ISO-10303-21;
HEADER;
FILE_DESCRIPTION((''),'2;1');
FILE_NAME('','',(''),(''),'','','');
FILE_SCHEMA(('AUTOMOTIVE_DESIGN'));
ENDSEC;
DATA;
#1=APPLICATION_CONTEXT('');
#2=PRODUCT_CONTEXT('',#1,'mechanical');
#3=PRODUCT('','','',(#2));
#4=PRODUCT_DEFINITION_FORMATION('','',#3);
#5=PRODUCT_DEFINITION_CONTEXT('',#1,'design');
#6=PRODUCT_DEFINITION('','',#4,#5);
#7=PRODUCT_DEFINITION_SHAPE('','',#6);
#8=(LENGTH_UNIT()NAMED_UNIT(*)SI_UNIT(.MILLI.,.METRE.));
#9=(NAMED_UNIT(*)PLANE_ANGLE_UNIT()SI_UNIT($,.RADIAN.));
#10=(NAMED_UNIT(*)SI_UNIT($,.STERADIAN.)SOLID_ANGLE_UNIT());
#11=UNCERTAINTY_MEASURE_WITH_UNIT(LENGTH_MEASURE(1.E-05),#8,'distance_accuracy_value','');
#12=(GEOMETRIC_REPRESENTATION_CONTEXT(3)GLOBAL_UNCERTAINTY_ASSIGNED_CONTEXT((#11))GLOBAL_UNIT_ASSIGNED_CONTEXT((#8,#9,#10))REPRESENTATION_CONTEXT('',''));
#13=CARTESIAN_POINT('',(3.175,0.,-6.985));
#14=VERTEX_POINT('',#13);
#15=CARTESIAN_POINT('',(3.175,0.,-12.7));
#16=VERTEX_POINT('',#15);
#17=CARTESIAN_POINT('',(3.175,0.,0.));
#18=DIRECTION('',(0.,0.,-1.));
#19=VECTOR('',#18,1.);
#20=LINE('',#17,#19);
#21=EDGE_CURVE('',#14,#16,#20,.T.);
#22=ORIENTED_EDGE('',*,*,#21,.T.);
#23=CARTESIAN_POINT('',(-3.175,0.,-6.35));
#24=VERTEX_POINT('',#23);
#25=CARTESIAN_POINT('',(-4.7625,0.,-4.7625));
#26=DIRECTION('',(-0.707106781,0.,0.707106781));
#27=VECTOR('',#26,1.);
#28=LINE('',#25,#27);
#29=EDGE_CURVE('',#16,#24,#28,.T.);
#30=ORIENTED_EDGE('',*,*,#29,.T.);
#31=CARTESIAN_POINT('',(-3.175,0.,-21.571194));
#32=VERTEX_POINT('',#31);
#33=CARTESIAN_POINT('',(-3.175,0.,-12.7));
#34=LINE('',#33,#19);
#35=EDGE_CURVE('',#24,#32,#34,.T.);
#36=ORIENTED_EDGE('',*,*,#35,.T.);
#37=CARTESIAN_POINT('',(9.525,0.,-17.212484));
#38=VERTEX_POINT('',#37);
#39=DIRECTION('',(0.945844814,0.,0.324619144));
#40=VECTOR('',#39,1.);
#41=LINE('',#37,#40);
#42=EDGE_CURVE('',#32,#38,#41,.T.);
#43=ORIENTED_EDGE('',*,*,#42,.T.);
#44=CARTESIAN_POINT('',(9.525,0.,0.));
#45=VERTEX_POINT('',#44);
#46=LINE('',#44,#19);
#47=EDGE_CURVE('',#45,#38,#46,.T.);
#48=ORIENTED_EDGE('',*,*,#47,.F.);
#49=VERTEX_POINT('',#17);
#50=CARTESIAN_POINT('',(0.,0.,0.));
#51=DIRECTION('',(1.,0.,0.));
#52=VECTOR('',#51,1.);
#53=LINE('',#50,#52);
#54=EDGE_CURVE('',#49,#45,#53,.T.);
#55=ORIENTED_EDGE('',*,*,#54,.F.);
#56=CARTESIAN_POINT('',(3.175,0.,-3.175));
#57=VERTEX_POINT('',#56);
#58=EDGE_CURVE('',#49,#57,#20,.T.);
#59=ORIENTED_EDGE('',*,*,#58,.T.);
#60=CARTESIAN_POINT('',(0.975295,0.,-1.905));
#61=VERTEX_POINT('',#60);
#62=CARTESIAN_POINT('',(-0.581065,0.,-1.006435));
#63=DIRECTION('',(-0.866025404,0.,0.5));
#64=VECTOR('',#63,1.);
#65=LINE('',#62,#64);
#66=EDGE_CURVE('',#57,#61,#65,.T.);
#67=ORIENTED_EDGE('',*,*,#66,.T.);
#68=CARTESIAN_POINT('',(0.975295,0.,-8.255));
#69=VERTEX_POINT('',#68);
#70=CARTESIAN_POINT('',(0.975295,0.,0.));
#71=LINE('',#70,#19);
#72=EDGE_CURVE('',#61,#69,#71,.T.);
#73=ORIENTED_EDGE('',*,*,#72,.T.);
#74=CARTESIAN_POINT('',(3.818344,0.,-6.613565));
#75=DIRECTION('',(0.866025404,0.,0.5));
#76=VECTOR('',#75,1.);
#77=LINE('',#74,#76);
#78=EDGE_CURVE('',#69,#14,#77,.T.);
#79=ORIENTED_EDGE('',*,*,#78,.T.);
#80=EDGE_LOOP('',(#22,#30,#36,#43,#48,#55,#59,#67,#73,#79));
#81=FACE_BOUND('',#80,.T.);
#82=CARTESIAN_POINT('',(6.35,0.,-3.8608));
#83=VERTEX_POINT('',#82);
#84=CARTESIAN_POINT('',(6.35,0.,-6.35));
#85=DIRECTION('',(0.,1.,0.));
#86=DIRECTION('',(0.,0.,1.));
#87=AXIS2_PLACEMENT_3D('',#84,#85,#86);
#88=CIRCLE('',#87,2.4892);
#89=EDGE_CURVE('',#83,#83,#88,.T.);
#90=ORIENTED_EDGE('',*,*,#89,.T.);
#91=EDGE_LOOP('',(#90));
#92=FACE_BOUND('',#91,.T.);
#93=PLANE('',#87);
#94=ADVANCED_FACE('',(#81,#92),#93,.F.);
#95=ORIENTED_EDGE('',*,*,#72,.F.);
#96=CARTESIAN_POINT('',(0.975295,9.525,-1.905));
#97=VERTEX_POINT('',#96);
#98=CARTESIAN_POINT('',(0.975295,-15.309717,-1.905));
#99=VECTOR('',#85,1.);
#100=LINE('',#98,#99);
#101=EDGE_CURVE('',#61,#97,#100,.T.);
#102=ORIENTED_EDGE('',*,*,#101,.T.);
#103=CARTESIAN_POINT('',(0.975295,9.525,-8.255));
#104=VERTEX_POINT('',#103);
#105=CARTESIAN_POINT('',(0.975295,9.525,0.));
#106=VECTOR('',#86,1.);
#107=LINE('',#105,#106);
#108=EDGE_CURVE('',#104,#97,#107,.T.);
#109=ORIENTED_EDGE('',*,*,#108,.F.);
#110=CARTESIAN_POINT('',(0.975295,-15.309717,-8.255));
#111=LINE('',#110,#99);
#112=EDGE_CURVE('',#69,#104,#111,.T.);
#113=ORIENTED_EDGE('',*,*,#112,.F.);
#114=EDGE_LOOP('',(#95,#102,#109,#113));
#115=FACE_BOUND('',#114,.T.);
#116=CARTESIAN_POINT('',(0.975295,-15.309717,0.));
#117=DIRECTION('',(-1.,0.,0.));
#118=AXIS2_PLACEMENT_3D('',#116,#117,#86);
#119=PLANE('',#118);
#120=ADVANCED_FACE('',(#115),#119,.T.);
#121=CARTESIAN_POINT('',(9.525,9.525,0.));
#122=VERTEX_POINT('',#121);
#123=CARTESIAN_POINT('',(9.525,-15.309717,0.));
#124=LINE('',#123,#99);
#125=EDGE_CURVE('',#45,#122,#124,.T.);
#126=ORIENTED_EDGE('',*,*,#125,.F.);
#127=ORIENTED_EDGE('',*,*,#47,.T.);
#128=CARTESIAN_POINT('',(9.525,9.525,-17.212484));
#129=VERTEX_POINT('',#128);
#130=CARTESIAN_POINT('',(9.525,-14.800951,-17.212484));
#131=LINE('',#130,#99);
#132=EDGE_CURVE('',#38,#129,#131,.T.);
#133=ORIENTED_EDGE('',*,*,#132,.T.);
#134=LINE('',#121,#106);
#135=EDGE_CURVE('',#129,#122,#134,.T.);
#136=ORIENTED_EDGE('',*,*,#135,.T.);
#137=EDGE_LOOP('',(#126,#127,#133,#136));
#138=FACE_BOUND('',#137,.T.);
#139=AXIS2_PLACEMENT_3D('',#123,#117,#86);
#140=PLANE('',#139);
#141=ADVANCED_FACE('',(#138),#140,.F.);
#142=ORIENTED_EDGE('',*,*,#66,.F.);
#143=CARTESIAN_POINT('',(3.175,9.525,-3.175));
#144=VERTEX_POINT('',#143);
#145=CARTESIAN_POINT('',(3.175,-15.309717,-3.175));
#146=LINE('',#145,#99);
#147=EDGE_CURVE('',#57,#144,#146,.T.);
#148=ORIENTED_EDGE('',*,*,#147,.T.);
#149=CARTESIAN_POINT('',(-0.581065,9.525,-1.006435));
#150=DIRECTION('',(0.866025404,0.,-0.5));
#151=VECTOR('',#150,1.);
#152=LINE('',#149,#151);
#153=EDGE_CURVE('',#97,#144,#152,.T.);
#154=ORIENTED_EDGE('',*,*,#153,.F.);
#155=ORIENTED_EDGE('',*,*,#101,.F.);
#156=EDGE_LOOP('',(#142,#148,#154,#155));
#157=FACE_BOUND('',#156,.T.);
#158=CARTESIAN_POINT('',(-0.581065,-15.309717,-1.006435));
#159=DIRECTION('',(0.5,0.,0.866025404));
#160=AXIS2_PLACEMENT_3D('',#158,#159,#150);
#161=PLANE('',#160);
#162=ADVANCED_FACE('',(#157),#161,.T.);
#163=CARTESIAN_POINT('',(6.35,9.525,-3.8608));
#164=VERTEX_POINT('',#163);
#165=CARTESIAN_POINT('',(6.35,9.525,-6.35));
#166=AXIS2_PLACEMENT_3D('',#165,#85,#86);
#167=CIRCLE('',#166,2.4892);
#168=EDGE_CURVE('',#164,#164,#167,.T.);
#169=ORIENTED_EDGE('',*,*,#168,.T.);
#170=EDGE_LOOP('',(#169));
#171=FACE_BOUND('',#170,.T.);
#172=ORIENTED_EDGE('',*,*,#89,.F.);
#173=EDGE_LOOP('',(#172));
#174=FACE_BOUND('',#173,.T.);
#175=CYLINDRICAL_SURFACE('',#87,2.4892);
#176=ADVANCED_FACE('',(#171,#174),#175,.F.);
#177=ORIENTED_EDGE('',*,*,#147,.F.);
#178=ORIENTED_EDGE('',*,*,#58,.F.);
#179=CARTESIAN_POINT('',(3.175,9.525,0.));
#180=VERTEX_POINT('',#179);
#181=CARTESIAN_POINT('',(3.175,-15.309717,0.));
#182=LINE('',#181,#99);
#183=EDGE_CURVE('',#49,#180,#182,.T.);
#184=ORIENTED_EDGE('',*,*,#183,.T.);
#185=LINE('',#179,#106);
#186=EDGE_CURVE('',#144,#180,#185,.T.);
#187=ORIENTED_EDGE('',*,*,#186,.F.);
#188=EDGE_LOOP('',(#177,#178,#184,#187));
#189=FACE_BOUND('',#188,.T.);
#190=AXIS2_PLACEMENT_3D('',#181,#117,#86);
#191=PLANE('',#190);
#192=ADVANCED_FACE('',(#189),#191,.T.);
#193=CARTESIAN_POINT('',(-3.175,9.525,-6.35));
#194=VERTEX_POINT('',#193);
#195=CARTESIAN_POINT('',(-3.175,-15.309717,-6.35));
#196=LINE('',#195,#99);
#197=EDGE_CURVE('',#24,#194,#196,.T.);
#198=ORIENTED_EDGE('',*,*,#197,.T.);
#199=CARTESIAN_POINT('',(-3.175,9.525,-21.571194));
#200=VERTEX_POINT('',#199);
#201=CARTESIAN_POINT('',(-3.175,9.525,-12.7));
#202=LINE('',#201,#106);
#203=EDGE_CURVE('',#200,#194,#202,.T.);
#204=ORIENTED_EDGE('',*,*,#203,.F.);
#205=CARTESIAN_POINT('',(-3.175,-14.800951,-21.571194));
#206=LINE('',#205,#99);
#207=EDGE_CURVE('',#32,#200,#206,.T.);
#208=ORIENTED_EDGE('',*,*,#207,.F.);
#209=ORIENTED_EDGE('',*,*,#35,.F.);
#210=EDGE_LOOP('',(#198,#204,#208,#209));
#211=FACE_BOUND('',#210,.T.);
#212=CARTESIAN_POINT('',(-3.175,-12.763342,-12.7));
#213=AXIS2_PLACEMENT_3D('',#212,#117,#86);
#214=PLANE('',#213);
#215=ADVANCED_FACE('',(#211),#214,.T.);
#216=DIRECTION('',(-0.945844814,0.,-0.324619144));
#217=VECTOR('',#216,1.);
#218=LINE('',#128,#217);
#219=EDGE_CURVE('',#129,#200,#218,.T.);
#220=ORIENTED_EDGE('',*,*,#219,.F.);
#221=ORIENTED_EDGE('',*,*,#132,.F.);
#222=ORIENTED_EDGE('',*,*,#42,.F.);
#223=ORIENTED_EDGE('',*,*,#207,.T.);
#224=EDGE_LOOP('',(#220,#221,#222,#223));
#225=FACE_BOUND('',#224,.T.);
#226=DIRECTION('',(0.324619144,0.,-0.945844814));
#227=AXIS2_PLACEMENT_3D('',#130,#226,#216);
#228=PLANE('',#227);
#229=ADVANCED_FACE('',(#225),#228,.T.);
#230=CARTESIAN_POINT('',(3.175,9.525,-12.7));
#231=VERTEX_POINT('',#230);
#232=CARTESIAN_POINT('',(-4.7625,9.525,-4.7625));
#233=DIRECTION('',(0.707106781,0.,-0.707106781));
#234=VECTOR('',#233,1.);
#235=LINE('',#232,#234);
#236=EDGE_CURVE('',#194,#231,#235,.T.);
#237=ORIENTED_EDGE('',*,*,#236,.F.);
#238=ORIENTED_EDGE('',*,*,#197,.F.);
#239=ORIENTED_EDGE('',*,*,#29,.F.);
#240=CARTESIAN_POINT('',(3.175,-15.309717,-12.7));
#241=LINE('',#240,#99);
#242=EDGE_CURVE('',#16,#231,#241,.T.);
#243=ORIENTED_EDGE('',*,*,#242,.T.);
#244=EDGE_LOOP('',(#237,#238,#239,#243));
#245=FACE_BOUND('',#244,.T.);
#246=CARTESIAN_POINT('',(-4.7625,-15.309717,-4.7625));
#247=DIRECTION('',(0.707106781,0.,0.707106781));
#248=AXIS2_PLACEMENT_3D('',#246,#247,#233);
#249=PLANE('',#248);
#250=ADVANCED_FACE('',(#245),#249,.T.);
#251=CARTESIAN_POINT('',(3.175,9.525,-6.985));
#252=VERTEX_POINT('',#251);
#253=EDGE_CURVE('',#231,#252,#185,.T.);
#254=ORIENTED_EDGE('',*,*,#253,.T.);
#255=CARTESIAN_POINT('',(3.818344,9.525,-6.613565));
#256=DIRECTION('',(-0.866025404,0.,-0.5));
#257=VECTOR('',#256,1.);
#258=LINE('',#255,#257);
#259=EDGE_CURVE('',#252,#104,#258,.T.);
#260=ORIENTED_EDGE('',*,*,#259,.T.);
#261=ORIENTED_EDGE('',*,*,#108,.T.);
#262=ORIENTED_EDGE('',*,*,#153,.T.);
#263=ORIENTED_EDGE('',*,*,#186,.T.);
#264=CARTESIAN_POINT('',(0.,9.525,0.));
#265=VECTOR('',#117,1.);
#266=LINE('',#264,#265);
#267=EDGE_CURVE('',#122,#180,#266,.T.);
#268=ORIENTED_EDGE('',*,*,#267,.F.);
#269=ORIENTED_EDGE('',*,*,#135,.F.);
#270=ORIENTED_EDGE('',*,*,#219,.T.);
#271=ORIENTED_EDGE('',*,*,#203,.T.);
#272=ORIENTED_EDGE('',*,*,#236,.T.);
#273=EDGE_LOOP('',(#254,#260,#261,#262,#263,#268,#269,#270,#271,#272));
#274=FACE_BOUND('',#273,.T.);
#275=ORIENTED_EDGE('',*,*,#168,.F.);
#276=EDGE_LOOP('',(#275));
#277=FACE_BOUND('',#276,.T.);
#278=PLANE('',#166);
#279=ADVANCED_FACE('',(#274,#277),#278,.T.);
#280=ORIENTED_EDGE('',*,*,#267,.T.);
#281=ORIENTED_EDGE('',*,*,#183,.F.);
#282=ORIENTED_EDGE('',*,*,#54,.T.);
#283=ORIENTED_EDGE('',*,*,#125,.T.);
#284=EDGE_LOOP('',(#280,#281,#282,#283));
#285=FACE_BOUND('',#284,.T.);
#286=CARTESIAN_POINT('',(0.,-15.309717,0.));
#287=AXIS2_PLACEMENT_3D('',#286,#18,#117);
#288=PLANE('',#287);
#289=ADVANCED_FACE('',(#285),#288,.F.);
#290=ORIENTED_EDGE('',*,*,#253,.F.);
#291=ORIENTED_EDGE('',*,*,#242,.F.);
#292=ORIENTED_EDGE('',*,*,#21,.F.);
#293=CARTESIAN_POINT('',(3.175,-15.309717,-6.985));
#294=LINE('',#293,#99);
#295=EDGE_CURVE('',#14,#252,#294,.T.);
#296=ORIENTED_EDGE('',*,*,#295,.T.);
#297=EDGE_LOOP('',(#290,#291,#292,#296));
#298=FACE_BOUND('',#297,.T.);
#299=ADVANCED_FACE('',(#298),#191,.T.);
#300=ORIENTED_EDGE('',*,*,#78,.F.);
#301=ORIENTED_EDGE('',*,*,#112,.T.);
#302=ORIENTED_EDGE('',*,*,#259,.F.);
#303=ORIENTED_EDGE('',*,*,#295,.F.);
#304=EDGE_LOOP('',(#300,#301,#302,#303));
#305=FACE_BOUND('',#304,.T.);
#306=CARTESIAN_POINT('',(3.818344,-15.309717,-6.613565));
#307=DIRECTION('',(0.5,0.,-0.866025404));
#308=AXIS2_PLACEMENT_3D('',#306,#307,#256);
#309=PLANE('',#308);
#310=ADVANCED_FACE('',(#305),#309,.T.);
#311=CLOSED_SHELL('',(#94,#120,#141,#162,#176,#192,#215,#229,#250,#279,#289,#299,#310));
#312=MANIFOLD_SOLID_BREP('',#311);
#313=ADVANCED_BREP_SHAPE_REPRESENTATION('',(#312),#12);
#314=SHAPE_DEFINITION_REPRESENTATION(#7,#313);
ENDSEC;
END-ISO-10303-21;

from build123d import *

# Parameters (mm, degrees)
SKETCH2_R               = 2.4892
BOSS_EXTRUDE3_DEPTH     = 9.525
SKETCH3_R               = 2.4892
BOSS_EXTRUDE4_DEPTH     = 9.525
SKETCH4_W               = 12.7
SKETCH4_H               = 1.27
BOSS_EXTRUDE5_DEPTH     = 9.525
SKETCH5_R               = 2.4892
CUT_EXTRUDE1_DEPTH      = 1
CUT_EXTRUDE1_DEPTH_BACK = 10.525
BOSS_EXTRUDE7_DEPTH     = 9.525


with BuildPart() as part:
    # Sketch2 → Boss-Extrude3 (new body)
    with BuildSketch(Plane(origin=(0, 0, 0), x_dir=(1, 0, 0), z_dir=(0, 1, 0))):
        with Locations((6.35, 6.35)):
            Circle(SKETCH2_R)
    extrude(amount=BOSS_EXTRUDE3_DEPTH)

    # Sketch3 → Boss-Extrude4 (add)
    with BuildSketch(Plane(origin=(0, 9.525, 0), x_dir=(1, 0, 0), z_dir=(0, 1, 0))):
        Polygon((9.525, 12.7), (3.175, 12.7), (3.175, 6.985), (0.975295474, 8.255), (0.975295474, 1.905), (3.175, 3.175), (3.175, 0), (9.525, 0), align=None)
        with Locations((6.35, 6.35)):
            Circle(SKETCH3_R, mode=Mode.SUBTRACT)
        Polygon((-3.175, 12.7), (-3.175, 6.35), (3.175, 12.7), align=None)
    extrude(amount=-BOSS_EXTRUDE4_DEPTH)

    # Sketch4 → Boss-Extrude5 (add)
    with BuildSketch(Plane(origin=(0, 9.525, 0), x_dir=(1, 0, 0), z_dir=(0, 1, 0))):
        with Locations((3.175, 13.335)):
            Rectangle(SKETCH4_W, SKETCH4_H)
    extrude(amount=-BOSS_EXTRUDE5_DEPTH)

    # Sketch5 → Cut-Extrude1 (cut, two sides)
    with BuildSketch(Plane(origin=(0, 9.525, 0), x_dir=(1, 0, 0), z_dir=(0, 1, 0))) as cut_extrude1_sk:
        with Locations((6.35, 6.35)):
            Circle(SKETCH5_R)
    extrude(amount=CUT_EXTRUDE1_DEPTH, mode=Mode.SUBTRACT)
    extrude(cut_extrude1_sk.sketch, amount=-CUT_EXTRUDE1_DEPTH_BACK, mode=Mode.SUBTRACT)

    # Sketch7 → Boss-Extrude7 (add)
    with BuildSketch(Plane(origin=(0, 9.525, 0), x_dir=(1, 0, 0), z_dir=(0, 1, 0))):
        Polygon((9.525, 13.97), (9.525, 17.212483646), (-3.175, 21.571193519), (-3.175, 13.97), align=None)
    extrude(amount=-BOSS_EXTRUDE7_DEPTH)


solid = part.part
